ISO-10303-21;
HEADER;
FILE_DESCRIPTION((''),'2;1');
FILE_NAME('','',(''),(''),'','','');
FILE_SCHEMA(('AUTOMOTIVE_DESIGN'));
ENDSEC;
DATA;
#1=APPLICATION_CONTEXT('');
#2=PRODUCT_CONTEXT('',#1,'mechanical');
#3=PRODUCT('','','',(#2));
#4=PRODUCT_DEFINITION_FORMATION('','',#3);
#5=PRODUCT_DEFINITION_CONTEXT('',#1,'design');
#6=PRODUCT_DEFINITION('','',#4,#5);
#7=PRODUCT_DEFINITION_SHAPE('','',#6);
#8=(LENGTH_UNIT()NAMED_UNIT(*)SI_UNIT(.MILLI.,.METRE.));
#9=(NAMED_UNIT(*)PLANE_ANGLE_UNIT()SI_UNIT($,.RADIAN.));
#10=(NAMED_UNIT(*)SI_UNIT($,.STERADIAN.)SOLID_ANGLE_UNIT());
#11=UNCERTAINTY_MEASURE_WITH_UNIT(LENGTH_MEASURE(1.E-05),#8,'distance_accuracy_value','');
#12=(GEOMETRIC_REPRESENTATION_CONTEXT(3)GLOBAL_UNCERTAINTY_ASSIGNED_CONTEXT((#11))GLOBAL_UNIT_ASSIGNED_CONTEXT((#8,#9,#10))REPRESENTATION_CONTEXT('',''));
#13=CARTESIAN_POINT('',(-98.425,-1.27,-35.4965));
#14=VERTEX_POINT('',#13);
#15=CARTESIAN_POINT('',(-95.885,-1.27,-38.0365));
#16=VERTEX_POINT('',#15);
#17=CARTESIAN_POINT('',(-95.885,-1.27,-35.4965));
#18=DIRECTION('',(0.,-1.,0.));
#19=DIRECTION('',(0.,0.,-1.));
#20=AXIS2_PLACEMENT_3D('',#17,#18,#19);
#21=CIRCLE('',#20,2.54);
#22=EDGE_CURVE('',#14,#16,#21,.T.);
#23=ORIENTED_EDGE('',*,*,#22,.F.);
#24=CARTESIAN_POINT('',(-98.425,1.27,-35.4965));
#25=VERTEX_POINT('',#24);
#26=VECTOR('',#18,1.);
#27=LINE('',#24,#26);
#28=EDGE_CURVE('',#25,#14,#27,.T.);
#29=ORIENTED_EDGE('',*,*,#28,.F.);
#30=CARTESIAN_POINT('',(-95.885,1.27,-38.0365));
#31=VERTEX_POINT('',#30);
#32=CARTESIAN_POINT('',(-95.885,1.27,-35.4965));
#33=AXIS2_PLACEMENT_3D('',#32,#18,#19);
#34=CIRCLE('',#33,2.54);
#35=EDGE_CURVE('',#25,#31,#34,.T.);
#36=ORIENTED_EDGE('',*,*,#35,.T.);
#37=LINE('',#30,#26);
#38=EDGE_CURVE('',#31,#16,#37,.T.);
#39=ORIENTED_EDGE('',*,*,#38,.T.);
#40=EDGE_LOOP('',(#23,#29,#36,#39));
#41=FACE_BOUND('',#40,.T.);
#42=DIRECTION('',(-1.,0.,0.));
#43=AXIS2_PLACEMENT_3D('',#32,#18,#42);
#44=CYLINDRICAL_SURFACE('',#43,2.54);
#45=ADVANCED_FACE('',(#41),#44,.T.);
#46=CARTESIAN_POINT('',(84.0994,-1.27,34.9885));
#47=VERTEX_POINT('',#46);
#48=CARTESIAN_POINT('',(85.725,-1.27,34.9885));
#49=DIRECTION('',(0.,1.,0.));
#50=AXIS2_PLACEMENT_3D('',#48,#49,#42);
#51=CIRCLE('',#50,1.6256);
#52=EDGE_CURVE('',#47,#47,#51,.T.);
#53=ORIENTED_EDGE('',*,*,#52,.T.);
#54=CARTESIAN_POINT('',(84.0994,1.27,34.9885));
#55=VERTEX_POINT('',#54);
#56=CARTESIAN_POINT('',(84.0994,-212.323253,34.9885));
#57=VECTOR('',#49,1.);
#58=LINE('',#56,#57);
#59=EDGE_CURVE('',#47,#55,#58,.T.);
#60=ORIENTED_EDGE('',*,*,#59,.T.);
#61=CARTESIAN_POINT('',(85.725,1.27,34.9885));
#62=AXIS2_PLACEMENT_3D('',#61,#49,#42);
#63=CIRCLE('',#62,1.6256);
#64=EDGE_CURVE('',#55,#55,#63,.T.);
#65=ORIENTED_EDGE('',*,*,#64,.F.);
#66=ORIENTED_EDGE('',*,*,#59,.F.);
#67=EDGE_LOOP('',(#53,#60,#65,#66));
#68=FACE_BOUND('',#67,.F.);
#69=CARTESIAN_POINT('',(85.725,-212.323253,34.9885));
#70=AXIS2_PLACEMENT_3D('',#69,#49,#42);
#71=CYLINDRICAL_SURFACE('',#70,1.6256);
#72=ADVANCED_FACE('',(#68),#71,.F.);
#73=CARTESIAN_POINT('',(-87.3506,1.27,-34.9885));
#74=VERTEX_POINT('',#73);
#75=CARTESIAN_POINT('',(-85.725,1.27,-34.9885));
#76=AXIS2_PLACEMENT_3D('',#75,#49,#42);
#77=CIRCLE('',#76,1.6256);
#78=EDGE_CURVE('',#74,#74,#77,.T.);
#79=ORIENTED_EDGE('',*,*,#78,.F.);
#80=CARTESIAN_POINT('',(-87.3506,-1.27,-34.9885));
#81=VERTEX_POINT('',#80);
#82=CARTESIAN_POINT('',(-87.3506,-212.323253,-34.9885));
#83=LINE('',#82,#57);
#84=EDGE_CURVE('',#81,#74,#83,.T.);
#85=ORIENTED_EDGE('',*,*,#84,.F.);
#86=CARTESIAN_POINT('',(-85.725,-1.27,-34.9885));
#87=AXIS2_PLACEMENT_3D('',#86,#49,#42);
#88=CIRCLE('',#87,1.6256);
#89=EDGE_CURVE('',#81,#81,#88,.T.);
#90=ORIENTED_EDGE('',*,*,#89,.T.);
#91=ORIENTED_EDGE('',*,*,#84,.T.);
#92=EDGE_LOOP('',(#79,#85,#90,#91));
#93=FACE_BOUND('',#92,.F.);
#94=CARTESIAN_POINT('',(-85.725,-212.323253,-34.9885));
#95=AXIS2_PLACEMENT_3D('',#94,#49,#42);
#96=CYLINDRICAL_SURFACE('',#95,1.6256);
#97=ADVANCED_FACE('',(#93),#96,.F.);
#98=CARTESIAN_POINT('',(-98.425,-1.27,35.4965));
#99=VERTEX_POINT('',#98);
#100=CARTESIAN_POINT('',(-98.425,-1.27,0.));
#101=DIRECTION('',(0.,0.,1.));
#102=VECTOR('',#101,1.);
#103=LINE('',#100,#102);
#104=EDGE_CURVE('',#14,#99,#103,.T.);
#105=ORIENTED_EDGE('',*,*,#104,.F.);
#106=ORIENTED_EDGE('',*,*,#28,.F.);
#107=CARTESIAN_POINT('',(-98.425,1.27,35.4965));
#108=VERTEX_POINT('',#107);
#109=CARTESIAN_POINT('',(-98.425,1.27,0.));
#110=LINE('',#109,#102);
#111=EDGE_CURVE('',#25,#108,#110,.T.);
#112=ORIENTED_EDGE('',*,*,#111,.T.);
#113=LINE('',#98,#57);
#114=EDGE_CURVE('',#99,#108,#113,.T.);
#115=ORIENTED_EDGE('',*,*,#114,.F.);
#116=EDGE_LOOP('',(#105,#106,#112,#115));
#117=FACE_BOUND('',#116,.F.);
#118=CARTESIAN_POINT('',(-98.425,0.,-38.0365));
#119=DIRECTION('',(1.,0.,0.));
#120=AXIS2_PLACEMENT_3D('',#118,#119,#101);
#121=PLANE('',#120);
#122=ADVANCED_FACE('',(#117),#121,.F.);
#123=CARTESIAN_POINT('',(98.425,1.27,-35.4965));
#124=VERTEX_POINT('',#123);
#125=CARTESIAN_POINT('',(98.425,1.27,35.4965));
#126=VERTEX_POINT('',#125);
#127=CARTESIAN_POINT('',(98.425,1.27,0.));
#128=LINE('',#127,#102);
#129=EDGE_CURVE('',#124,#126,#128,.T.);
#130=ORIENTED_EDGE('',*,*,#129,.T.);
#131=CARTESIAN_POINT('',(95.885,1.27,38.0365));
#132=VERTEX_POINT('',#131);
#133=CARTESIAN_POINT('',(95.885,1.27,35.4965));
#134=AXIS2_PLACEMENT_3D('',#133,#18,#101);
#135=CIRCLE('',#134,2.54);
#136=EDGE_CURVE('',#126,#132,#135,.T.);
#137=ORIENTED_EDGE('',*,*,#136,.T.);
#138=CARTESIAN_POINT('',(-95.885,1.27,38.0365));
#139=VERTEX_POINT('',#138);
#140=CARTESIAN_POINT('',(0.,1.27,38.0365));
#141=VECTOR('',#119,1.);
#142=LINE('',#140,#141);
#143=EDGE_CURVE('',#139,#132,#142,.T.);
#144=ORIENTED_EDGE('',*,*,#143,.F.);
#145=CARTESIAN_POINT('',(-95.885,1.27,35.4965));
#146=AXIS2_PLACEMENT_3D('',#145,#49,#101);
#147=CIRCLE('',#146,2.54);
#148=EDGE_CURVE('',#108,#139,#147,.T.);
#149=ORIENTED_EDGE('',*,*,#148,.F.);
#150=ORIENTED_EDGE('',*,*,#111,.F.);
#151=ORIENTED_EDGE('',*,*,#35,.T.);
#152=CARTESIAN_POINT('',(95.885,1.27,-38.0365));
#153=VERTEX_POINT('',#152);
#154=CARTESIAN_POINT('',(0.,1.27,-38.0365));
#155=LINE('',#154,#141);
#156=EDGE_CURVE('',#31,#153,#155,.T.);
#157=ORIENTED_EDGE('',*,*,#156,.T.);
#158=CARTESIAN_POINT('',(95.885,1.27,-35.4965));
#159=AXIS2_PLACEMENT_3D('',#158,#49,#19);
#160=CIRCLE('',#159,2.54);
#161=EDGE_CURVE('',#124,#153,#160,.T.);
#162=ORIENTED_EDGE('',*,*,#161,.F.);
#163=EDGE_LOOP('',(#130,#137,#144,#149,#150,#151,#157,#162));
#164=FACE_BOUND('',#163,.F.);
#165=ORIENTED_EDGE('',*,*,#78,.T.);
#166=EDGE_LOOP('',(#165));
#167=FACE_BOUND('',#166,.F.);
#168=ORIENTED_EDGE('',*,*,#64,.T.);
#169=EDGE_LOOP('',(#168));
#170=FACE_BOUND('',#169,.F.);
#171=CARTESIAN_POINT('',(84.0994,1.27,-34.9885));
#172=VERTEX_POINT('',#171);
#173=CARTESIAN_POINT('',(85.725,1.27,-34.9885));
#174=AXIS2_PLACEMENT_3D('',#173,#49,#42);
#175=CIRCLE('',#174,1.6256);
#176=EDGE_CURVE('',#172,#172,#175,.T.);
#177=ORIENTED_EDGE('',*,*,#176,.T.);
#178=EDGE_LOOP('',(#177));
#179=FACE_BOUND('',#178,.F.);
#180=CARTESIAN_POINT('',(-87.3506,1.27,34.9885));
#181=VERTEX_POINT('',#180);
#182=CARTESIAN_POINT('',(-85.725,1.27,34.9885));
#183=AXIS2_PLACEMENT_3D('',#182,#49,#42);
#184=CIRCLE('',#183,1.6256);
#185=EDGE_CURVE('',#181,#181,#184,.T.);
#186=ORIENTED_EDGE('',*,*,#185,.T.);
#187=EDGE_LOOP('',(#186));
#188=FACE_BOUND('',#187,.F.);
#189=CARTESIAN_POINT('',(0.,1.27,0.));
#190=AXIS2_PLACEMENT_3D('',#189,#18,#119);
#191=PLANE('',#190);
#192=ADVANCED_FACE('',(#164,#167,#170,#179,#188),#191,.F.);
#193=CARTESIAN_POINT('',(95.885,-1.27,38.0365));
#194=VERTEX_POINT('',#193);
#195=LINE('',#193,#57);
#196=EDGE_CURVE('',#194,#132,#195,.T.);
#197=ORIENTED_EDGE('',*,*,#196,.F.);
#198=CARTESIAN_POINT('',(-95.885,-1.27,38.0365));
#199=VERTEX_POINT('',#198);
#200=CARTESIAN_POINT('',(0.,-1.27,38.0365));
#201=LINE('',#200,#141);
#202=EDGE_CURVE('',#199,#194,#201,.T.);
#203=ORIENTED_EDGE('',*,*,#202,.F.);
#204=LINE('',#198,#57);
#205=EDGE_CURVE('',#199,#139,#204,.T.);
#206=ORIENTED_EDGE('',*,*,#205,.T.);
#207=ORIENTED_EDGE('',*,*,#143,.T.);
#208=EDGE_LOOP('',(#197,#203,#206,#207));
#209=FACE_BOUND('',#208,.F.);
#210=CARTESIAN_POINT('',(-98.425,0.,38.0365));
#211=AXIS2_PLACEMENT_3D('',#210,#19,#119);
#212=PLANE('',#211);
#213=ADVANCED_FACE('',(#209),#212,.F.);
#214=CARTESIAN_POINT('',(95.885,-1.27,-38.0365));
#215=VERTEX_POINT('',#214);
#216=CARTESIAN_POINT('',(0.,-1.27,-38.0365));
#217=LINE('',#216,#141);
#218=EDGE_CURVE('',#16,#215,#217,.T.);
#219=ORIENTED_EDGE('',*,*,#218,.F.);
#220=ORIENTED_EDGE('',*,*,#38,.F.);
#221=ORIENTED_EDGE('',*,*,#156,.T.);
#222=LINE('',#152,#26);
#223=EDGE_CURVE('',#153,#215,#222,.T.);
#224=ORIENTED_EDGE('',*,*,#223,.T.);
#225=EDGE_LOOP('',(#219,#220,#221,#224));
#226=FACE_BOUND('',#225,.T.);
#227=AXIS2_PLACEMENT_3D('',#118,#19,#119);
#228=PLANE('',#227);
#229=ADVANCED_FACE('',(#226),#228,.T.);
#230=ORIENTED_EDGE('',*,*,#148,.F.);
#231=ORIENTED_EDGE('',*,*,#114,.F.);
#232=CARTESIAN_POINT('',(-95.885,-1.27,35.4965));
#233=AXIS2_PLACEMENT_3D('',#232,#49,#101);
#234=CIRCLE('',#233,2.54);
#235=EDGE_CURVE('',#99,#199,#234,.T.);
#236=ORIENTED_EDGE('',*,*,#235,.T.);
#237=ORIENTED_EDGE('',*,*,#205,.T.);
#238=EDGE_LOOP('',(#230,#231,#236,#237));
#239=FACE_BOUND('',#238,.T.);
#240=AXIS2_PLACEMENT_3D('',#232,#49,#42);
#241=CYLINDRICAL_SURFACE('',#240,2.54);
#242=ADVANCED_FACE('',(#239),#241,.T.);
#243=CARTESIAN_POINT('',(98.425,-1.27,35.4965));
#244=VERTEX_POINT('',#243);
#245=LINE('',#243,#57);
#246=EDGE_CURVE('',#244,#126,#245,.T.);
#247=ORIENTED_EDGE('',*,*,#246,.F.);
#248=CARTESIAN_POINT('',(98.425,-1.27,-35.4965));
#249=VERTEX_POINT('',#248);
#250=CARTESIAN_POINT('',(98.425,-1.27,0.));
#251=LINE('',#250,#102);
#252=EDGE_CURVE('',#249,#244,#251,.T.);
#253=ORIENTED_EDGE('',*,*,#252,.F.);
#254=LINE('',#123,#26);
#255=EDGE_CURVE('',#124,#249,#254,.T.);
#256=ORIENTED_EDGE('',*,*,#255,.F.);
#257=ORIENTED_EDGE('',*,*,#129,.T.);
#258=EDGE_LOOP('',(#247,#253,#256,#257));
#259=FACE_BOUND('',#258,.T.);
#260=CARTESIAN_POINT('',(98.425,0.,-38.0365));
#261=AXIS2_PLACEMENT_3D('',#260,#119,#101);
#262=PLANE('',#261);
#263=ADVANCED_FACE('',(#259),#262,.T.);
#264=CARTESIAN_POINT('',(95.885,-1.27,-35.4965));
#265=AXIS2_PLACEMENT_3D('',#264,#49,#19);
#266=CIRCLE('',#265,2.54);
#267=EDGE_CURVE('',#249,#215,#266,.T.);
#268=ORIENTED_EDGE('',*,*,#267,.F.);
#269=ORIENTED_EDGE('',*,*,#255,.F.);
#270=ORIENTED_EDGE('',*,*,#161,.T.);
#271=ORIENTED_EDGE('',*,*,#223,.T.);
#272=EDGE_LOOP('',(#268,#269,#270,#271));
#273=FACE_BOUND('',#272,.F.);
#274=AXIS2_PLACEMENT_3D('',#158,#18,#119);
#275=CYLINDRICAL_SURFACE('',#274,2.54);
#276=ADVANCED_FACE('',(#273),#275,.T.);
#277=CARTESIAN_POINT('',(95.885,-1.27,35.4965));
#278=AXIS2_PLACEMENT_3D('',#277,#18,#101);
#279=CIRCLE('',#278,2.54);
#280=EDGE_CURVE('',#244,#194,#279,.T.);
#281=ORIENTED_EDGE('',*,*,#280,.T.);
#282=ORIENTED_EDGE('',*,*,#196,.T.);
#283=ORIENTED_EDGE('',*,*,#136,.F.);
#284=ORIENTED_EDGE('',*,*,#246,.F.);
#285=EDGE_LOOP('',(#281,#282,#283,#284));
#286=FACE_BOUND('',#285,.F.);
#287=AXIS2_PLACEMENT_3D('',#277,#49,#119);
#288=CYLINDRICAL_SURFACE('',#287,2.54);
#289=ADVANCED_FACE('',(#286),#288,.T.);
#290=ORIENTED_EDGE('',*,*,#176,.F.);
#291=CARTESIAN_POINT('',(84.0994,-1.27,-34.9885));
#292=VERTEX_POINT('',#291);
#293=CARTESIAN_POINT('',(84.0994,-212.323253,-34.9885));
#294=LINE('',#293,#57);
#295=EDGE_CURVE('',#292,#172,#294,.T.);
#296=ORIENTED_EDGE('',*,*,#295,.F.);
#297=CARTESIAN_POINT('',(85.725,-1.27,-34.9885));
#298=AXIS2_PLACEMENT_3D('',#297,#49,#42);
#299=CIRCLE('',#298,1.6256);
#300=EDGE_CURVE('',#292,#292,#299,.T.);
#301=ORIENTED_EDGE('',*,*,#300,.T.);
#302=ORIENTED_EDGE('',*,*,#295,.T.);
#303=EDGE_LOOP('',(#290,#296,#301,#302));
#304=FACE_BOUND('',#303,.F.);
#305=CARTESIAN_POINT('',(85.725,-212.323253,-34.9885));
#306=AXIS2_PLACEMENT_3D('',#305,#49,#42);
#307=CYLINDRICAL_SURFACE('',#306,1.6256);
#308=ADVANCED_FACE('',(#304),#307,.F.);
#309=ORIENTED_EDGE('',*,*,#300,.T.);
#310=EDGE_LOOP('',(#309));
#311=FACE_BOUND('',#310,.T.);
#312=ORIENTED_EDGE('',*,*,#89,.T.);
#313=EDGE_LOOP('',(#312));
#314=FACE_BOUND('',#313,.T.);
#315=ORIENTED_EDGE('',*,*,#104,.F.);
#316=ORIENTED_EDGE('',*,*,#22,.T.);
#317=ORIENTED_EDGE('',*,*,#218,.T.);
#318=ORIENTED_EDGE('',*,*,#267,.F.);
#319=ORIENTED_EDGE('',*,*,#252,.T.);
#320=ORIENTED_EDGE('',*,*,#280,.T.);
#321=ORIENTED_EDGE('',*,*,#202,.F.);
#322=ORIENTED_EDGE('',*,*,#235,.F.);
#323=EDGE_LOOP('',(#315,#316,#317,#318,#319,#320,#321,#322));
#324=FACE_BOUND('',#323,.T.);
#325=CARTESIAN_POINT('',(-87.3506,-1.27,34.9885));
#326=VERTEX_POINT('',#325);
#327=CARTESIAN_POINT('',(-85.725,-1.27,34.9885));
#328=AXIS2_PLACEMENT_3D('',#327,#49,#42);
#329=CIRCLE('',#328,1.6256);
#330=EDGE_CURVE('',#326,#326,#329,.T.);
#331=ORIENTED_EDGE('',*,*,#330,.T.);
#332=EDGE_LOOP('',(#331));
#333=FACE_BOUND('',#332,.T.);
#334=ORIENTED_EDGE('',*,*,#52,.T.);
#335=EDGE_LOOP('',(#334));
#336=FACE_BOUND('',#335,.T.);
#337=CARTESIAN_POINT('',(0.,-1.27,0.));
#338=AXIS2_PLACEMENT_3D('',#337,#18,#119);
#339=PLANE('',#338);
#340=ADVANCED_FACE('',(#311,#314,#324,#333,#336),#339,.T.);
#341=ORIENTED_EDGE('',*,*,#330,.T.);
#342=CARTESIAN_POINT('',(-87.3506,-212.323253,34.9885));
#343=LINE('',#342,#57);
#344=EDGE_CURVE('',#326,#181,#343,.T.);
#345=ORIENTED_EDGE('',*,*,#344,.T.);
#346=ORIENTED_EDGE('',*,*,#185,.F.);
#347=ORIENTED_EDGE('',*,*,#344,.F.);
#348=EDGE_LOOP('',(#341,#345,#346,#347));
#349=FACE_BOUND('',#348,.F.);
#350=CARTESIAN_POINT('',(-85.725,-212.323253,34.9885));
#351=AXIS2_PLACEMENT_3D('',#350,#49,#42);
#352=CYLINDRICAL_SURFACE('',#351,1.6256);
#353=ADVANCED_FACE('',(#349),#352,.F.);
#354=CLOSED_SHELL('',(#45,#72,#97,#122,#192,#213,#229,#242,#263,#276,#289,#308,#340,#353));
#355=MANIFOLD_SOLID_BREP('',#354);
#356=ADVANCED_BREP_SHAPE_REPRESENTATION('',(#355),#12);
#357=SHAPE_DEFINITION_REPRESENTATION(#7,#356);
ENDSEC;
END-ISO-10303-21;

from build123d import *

# Parameters (mm, degrees)
F0_W     = 196.85
F0_H     = 76.073
F1_DEPTH = 1.27
F2_R     = 2.54
F4_D     = 3.2512


with BuildPart() as f1:
    # F0 (on Front) → F1 (new body, symmetric)
    with BuildSketch(Plane.XZ):
        Rectangle(F0_W, F0_H)
    extrude(amount=F1_DEPTH, both=True)

    # F2
    f2_edges = [f1.edges().sort_by_distance(p)[0] for p in [
        (-98.425, 0, 38.0365),
        (-98.425, 0, -38.0365),
        (98.425, 0, -38.0365),
        (98.425, 0, 38.0365),
    ]]
    fillet(f2_edges, radius=F2_R)

    # F4 (through all)
    with Locations(Plane.XZ.offset(1.27)):
        with Locations((85.725, 34.9885), (85.725, -34.9885), (-85.725, -34.9885), (-85.725, 34.9885)):
            Hole(F4_D / 2)


solid = f1.part
